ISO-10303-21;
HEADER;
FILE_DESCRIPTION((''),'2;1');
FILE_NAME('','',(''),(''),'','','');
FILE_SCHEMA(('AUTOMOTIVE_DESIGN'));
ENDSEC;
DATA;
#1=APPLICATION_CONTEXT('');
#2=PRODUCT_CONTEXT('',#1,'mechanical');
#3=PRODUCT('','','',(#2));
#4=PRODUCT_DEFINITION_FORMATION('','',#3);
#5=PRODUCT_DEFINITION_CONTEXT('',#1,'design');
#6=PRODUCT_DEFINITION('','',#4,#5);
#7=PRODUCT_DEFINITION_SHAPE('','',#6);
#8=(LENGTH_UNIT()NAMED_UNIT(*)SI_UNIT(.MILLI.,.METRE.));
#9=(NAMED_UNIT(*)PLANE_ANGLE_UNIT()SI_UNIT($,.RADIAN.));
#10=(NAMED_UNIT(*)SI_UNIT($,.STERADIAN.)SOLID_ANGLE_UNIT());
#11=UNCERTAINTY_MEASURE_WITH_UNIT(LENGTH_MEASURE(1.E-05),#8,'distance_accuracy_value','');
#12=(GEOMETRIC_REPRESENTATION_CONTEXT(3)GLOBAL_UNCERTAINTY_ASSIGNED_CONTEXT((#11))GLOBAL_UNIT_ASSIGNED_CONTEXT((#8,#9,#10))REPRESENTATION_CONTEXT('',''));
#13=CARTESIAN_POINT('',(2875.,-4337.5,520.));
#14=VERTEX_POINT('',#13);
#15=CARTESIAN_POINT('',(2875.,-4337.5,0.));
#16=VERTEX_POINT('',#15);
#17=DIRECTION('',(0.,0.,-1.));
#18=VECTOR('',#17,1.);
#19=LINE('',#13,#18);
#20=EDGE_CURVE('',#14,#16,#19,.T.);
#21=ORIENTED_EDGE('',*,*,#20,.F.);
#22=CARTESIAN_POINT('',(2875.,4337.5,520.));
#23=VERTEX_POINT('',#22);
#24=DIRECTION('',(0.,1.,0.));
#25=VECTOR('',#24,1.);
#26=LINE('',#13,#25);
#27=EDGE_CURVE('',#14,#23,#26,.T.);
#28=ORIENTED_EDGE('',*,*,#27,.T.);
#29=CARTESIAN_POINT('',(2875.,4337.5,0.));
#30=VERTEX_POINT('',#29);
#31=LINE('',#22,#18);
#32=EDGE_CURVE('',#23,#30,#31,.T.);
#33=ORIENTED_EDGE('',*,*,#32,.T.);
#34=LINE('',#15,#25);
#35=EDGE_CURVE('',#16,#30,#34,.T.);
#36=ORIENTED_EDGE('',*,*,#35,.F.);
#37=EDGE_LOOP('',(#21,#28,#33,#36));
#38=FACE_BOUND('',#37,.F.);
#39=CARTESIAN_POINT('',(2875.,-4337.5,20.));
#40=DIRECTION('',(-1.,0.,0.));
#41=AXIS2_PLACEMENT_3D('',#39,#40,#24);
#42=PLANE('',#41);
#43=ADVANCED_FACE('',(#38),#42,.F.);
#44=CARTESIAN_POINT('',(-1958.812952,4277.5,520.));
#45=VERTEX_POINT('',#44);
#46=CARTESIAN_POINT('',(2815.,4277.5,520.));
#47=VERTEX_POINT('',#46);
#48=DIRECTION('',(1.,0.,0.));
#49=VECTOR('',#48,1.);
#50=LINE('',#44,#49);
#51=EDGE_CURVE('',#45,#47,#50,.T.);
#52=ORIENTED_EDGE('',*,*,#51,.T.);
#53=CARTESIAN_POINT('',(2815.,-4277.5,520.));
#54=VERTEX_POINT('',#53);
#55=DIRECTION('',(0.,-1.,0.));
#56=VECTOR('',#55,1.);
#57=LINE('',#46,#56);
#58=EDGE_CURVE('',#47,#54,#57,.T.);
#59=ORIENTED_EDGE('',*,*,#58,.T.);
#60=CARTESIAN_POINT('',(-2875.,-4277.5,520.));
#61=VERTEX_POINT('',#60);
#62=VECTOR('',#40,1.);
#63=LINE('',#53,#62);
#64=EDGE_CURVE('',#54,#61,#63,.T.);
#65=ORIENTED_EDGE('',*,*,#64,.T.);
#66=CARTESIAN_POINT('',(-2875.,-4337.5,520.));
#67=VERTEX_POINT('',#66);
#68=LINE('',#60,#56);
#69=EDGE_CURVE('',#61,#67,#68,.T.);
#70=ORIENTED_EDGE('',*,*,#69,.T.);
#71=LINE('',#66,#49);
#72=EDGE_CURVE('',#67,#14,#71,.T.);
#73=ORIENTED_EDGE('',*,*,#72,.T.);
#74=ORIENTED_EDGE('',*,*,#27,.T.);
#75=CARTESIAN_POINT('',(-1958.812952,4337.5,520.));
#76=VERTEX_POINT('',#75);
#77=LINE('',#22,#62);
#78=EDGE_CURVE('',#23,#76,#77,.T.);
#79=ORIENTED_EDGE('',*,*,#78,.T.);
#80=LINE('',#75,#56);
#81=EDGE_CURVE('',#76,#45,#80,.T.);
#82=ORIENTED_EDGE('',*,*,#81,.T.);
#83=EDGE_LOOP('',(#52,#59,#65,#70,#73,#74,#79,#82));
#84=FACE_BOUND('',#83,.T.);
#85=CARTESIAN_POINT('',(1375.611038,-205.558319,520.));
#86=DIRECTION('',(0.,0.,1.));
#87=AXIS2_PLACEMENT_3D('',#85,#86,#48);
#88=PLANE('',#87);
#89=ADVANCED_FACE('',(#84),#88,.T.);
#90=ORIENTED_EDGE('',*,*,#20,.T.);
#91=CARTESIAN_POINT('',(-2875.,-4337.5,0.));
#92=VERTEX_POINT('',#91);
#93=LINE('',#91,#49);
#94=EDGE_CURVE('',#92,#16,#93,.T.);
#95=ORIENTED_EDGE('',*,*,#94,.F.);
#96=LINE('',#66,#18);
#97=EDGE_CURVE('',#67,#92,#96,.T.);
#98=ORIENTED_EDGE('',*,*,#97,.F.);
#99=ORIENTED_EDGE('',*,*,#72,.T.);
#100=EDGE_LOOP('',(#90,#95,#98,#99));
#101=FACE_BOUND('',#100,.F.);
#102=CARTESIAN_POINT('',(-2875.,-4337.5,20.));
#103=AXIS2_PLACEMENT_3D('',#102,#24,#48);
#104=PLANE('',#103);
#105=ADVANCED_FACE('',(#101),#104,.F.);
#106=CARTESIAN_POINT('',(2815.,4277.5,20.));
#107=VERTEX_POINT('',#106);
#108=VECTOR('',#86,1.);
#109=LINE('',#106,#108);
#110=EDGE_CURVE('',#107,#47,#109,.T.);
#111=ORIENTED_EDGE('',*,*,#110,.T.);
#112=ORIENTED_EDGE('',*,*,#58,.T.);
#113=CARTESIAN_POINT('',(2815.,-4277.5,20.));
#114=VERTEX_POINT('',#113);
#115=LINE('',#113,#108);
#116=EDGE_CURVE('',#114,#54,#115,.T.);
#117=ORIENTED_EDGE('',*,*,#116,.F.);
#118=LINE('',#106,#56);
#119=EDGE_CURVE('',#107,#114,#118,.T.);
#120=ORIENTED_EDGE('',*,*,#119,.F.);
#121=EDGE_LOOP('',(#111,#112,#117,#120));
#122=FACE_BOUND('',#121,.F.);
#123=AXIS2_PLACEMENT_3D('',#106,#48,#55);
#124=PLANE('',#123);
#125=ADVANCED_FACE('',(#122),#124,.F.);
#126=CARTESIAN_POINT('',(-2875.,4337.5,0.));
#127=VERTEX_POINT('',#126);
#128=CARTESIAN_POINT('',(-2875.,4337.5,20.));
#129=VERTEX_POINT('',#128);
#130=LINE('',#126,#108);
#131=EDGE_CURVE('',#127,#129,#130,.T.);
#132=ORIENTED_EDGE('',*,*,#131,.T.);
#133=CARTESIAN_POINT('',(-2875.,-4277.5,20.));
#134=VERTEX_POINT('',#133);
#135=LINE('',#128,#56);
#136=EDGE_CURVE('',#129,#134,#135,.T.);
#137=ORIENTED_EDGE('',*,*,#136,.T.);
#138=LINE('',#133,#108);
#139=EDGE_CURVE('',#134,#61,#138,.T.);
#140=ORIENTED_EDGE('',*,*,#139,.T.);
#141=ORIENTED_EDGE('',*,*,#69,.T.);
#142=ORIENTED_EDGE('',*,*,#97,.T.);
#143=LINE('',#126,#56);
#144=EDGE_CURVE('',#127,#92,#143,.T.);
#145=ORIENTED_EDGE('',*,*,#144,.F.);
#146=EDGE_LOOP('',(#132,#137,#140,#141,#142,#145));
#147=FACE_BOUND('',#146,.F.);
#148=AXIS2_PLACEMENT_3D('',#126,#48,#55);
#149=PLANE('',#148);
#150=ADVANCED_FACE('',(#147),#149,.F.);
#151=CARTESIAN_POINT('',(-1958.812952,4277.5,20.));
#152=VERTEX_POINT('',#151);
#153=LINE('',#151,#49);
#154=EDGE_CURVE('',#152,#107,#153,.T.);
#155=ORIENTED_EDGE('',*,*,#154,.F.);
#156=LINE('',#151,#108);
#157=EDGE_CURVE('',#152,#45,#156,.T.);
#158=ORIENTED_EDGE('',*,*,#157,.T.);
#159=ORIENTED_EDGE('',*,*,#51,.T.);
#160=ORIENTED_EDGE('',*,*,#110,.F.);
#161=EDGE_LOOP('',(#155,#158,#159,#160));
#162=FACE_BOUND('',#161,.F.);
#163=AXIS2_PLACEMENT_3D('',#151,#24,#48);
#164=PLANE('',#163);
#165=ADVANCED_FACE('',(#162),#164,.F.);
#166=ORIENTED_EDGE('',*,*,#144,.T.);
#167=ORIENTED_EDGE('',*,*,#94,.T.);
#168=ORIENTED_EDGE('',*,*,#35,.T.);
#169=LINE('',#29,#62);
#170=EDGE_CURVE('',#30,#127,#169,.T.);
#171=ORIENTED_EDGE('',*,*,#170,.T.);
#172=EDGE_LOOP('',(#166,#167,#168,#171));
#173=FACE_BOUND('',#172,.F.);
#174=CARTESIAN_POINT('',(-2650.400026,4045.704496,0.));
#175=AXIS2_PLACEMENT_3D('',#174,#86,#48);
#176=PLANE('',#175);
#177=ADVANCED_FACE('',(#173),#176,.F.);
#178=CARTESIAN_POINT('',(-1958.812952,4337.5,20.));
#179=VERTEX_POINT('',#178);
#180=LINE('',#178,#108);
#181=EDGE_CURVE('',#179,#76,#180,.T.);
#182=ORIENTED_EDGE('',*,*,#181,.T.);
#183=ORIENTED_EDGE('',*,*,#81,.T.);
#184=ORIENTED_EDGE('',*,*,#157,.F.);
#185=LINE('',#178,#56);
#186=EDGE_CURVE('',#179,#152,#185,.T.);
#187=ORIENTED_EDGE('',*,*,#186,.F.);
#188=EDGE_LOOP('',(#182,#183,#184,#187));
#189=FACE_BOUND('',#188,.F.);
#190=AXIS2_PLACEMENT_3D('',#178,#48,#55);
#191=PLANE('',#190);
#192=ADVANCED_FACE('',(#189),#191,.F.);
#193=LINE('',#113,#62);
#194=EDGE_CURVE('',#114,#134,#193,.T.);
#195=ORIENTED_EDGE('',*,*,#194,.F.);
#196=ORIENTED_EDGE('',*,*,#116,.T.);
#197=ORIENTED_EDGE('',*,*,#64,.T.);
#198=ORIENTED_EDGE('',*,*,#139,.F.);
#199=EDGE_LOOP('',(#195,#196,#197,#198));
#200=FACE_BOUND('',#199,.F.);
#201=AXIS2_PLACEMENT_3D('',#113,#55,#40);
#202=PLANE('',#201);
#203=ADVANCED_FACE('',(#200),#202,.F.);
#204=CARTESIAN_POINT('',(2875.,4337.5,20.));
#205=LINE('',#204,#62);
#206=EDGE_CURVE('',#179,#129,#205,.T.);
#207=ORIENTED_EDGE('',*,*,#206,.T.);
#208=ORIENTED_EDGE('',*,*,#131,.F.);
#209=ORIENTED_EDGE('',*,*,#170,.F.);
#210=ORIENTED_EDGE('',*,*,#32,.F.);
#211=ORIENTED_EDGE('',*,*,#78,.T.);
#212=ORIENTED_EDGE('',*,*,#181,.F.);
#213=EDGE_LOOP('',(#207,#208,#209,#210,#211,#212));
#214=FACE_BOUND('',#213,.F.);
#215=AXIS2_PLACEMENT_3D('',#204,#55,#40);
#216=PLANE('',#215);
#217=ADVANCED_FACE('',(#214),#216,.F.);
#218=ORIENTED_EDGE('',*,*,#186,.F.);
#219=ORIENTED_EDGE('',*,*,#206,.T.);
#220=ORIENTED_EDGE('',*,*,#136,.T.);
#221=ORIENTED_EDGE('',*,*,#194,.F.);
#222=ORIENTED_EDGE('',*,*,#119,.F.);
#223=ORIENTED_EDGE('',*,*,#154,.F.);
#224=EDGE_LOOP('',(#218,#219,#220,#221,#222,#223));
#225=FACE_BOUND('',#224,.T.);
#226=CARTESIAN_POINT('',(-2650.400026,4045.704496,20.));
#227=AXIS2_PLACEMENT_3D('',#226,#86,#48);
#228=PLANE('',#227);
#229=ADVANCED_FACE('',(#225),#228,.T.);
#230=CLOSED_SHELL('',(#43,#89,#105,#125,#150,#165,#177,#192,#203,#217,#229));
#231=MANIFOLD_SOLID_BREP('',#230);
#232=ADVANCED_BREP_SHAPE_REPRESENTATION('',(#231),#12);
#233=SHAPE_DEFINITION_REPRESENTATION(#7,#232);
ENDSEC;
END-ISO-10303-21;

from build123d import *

# Parameters (mm, degrees)
F1_DEPTH = 20
F3_DEPTH = 500


with BuildPart() as f1:
    # F0 (on Top) → F1 (new body)
    with BuildSketch(Plane.XY):
        Polygon((-2215, 4337.5), (-2875, 4337.5), (-2875, 3543.10894), align=None)
        Polygon((2875, 4337.5), (-2215, 4337.5), (-2875, 3543.10894), (-2875, -4337.5), (2875, -4337.5), align=None)
    extrude(amount=F1_DEPTH)

    # F2 (on face) → F3 (join)
    with BuildSketch(Plane.XY.offset(20)):
        Polygon((2875, 4337.5), (-1958.812952, 4337.5), (-1958.812952, 4277.5), (2815, 4277.5), (2815, -4277.5), (-2875, -4277.5), (-2875, -4337.5), (2875, -4337.5), align=None)
    extrude(amount=F3_DEPTH)


solid = f1.part
